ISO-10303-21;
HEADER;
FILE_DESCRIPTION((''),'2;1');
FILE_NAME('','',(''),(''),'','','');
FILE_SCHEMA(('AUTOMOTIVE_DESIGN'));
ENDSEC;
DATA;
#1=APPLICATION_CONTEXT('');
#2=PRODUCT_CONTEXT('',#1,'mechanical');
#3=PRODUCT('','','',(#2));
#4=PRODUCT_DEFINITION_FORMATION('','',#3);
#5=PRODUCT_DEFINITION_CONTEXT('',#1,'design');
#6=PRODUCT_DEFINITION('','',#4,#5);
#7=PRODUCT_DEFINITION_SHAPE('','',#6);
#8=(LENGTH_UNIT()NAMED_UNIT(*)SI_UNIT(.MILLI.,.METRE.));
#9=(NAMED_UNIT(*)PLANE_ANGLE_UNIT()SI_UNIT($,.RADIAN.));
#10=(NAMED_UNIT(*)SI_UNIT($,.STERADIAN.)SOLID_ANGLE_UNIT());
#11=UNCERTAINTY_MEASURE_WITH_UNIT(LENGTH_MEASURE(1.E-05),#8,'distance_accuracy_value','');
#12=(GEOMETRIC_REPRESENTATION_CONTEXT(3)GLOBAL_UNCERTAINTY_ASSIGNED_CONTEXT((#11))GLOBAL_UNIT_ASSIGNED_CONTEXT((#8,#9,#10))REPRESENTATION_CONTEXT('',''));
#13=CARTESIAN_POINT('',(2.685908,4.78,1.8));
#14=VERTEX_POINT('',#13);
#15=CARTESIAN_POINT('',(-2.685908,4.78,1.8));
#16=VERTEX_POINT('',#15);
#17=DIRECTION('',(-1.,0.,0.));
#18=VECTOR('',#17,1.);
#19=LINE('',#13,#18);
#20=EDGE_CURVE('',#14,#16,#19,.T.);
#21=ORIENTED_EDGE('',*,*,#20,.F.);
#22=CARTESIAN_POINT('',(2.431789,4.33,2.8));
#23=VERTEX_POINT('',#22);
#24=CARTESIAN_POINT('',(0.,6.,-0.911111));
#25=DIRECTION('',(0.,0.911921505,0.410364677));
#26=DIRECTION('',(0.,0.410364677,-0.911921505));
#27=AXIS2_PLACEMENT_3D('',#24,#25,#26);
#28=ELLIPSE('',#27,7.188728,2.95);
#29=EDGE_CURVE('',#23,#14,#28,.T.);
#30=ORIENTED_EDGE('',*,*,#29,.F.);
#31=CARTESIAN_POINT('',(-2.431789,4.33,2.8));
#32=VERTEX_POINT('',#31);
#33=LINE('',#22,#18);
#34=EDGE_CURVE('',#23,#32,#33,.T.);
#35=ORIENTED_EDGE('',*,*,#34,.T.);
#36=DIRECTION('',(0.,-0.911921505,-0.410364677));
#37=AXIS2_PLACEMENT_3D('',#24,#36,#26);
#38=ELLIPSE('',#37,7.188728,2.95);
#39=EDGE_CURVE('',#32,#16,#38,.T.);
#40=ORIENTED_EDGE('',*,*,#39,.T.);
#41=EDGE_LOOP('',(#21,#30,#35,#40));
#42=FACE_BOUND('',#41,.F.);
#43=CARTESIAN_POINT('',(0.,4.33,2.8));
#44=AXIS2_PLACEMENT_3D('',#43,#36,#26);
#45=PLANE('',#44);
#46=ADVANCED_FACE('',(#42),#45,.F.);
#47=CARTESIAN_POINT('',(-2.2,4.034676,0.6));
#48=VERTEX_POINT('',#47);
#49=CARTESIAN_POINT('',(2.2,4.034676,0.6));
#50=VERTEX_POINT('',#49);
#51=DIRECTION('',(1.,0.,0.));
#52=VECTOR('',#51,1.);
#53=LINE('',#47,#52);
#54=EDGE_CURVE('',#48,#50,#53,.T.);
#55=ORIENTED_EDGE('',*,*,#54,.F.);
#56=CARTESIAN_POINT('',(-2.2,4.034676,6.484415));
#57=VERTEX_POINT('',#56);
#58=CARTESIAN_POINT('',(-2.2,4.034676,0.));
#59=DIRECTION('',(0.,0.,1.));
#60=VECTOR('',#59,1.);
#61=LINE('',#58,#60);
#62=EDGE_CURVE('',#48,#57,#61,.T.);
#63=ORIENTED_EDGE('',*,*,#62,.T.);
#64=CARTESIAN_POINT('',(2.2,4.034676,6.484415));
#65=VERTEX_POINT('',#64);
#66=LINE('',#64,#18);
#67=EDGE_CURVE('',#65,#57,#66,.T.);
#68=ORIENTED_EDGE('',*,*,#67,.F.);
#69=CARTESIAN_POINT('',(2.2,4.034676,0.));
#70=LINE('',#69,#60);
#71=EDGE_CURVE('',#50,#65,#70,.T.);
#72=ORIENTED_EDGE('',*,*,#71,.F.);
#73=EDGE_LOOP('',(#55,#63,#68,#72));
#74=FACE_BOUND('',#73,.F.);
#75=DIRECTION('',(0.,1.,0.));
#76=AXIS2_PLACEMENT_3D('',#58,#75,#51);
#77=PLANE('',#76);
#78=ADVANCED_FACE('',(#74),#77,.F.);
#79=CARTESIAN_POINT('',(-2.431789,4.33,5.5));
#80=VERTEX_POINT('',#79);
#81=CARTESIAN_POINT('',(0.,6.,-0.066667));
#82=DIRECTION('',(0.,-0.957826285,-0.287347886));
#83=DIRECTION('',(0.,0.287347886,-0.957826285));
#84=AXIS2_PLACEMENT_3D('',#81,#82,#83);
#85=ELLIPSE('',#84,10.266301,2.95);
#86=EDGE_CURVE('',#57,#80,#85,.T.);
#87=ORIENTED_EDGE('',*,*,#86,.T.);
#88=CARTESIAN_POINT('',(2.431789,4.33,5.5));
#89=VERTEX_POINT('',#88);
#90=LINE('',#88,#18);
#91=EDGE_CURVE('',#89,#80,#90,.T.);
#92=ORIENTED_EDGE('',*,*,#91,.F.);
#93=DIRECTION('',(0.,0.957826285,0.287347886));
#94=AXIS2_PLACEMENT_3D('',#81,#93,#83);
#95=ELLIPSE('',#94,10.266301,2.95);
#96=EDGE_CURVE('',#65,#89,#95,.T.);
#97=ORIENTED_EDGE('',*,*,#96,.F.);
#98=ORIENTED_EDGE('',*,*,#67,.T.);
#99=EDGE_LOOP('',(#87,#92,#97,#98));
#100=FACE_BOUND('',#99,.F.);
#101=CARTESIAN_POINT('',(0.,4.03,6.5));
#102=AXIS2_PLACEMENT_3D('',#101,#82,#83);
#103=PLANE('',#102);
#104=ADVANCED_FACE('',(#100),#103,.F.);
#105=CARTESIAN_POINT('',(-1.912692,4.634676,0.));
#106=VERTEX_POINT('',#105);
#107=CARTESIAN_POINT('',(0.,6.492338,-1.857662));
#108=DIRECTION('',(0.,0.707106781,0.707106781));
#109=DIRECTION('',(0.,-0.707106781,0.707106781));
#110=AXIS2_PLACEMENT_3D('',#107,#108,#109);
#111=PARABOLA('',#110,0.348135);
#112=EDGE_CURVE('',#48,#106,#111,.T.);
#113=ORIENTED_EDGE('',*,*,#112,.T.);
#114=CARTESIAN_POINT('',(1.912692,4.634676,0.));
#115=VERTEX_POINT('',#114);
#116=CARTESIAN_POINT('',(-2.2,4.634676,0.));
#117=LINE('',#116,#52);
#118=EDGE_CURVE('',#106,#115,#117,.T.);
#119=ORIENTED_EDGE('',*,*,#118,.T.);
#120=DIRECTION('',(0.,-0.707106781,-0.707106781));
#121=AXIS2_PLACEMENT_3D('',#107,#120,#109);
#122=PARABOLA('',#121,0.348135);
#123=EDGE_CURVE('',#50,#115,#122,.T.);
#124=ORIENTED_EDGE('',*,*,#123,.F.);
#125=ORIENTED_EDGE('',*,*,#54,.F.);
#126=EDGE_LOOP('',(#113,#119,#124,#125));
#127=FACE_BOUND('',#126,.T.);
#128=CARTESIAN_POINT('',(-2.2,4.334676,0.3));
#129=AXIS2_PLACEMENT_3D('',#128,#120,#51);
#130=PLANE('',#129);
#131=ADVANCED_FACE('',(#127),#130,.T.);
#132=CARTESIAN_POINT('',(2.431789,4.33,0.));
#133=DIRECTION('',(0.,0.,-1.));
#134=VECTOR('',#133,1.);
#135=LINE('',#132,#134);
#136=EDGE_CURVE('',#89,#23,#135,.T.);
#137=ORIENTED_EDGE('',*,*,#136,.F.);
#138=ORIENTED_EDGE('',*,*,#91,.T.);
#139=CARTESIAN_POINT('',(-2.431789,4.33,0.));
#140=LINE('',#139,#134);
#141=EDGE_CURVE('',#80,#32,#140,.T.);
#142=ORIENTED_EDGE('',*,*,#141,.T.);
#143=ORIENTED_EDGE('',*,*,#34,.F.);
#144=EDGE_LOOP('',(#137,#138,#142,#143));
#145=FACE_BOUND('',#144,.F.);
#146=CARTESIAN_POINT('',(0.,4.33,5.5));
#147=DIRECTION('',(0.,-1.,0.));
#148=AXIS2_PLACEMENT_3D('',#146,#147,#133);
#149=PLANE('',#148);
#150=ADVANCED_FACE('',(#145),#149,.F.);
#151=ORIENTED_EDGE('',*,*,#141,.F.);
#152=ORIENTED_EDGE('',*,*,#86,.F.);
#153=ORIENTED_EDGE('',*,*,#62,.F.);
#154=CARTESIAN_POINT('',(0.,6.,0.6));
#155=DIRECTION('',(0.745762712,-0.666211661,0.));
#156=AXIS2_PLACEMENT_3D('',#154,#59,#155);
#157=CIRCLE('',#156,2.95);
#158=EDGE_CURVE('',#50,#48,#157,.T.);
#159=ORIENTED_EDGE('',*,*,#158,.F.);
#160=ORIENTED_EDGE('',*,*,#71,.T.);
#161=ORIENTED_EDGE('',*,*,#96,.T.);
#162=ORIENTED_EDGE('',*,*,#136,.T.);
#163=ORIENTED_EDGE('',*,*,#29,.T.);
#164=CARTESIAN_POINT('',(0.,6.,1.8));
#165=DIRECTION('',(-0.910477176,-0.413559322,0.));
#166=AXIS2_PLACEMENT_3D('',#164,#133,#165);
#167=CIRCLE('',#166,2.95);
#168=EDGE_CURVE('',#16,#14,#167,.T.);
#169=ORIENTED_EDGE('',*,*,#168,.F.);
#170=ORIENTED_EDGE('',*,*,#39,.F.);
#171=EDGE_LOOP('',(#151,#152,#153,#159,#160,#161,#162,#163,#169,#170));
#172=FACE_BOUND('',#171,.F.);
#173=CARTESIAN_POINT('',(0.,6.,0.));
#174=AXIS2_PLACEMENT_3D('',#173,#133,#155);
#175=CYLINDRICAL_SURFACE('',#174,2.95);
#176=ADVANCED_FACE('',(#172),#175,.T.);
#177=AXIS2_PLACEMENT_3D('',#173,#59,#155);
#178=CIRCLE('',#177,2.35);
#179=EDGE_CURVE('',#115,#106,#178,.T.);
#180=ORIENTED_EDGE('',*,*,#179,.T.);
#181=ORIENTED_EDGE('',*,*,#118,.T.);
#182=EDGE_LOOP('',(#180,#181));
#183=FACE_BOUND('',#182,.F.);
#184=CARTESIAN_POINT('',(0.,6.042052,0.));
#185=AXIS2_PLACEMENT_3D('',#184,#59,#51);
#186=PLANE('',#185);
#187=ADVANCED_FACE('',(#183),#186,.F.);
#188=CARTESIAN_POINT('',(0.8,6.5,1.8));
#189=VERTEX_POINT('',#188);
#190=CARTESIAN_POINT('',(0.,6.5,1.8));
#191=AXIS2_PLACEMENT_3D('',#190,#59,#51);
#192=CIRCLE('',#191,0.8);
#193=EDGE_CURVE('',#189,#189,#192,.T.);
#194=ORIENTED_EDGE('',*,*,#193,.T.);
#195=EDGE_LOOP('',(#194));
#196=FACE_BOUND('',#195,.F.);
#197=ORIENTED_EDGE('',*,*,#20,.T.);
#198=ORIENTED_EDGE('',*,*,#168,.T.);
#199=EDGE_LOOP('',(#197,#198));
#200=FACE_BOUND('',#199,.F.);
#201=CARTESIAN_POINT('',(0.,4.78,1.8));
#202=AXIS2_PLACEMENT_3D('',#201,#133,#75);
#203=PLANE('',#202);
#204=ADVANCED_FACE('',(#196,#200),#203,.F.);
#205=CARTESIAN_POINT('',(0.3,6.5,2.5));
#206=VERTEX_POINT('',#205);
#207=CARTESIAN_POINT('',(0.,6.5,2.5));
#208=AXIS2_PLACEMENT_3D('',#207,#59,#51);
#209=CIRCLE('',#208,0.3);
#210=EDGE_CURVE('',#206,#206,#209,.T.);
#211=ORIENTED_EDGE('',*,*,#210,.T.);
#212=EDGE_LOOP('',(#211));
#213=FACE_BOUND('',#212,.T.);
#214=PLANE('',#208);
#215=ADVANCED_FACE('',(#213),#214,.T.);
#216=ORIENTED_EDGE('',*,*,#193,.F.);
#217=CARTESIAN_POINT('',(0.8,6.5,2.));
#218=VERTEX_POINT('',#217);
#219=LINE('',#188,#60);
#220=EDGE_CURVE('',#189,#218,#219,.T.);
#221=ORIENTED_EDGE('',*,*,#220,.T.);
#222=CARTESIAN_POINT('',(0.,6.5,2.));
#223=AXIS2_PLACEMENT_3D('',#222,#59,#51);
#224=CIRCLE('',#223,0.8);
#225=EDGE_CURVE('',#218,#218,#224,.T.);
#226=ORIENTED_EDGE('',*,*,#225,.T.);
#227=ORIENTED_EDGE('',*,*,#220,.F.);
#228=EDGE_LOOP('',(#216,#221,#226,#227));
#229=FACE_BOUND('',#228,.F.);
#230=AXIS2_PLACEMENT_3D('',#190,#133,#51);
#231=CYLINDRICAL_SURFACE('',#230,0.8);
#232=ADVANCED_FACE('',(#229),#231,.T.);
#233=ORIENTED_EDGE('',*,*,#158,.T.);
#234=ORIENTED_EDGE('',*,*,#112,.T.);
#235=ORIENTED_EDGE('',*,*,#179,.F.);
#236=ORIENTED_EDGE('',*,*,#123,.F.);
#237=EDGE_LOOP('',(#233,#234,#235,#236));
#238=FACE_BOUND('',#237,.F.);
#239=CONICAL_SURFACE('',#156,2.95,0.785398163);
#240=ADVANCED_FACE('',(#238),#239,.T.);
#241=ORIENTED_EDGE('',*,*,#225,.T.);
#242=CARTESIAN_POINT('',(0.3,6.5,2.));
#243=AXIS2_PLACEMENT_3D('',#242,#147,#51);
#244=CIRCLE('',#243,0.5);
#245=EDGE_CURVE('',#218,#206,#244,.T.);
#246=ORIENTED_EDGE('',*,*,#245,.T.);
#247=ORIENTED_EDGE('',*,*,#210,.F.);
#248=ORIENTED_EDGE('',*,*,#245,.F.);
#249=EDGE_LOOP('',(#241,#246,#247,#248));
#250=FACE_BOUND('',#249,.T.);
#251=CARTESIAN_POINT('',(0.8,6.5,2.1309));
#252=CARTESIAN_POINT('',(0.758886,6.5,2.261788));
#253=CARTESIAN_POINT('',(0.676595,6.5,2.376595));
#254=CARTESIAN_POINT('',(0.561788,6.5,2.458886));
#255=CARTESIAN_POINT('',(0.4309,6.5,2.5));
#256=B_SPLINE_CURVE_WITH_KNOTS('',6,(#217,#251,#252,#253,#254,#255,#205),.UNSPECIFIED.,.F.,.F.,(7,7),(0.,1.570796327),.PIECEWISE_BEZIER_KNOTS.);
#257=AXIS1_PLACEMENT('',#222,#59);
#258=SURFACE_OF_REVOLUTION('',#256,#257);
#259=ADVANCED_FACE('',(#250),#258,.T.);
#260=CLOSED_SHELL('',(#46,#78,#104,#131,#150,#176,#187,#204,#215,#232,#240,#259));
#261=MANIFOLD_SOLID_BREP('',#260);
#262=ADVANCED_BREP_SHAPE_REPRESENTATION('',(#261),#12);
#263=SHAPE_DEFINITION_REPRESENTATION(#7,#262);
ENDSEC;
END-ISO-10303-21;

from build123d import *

# Parameters (mm, degrees)
PAD003_DEPTH         = 6.5
POCKET004_DEPTH      = 2.951
POCKET004_DEPTH_BACK = 2.951
SKETCH013_R          = 0.8
PAD006_DEPTH         = 0.7
FILLET_R             = 0.5
CHAMFER004_SIZE      = 0.6


with BuildPart() as part:
    # Sketch004 → Pad003 (new body)
    with BuildSketch(Plane.XY):
        with BuildLine():
            ThreePointArc((2.2, -1.9653244007), (0, 2.95), (-2.2, -1.9653244007))
            Line((-2.2, -1.9653244007), (2.2, -1.9653244007))
        make_face()
    extrude(amount=PAD003_DEPTH)

    # Sketch014 → Pocket004 (cut, two sides)
    with BuildSketch(Plane.YZ) as pocket004_sk:
        Polygon((-1.97, 6.5), (-1.67, 5.5), (-1.67, 2.8), (-1.22, 1.8), (4, 1.8), (4, 6.5), align=None)
    extrude(amount=-POCKET004_DEPTH, mode=Mode.SUBTRACT)
    extrude(pocket004_sk.sketch, amount=POCKET004_DEPTH_BACK, mode=Mode.SUBTRACT)

    # Sketch013 (on Face7 of Pocket004) → Pad006 (join)
    with BuildSketch(Plane.XY.offset(1.8)):
        with Locations((0, 0.5)):
            Circle(SKETCH013_R)
    extrude(amount=PAD006_DEPTH)

    # Fillet
    fillet_edges = [part.edges().sort_by_distance(p)[0] for p in [
        (-0.8, 0.5, 2.5),
    ]]
    fillet(fillet_edges, radius=FILLET_R)

    # Chamfer004
    chamfer004_edges = [part.edges().sort_by_distance(p)[0] for p in [
        (0, 2.95, 0),
        (0, -1.965324, 0),
    ]]
    chamfer(chamfer004_edges, length=CHAMFER004_SIZE)


with BuildPart() as part_1:
    # Body020 placement: moved
    add(part.part.moved(Location((0, 6, 0))))


solid = part_1.part
